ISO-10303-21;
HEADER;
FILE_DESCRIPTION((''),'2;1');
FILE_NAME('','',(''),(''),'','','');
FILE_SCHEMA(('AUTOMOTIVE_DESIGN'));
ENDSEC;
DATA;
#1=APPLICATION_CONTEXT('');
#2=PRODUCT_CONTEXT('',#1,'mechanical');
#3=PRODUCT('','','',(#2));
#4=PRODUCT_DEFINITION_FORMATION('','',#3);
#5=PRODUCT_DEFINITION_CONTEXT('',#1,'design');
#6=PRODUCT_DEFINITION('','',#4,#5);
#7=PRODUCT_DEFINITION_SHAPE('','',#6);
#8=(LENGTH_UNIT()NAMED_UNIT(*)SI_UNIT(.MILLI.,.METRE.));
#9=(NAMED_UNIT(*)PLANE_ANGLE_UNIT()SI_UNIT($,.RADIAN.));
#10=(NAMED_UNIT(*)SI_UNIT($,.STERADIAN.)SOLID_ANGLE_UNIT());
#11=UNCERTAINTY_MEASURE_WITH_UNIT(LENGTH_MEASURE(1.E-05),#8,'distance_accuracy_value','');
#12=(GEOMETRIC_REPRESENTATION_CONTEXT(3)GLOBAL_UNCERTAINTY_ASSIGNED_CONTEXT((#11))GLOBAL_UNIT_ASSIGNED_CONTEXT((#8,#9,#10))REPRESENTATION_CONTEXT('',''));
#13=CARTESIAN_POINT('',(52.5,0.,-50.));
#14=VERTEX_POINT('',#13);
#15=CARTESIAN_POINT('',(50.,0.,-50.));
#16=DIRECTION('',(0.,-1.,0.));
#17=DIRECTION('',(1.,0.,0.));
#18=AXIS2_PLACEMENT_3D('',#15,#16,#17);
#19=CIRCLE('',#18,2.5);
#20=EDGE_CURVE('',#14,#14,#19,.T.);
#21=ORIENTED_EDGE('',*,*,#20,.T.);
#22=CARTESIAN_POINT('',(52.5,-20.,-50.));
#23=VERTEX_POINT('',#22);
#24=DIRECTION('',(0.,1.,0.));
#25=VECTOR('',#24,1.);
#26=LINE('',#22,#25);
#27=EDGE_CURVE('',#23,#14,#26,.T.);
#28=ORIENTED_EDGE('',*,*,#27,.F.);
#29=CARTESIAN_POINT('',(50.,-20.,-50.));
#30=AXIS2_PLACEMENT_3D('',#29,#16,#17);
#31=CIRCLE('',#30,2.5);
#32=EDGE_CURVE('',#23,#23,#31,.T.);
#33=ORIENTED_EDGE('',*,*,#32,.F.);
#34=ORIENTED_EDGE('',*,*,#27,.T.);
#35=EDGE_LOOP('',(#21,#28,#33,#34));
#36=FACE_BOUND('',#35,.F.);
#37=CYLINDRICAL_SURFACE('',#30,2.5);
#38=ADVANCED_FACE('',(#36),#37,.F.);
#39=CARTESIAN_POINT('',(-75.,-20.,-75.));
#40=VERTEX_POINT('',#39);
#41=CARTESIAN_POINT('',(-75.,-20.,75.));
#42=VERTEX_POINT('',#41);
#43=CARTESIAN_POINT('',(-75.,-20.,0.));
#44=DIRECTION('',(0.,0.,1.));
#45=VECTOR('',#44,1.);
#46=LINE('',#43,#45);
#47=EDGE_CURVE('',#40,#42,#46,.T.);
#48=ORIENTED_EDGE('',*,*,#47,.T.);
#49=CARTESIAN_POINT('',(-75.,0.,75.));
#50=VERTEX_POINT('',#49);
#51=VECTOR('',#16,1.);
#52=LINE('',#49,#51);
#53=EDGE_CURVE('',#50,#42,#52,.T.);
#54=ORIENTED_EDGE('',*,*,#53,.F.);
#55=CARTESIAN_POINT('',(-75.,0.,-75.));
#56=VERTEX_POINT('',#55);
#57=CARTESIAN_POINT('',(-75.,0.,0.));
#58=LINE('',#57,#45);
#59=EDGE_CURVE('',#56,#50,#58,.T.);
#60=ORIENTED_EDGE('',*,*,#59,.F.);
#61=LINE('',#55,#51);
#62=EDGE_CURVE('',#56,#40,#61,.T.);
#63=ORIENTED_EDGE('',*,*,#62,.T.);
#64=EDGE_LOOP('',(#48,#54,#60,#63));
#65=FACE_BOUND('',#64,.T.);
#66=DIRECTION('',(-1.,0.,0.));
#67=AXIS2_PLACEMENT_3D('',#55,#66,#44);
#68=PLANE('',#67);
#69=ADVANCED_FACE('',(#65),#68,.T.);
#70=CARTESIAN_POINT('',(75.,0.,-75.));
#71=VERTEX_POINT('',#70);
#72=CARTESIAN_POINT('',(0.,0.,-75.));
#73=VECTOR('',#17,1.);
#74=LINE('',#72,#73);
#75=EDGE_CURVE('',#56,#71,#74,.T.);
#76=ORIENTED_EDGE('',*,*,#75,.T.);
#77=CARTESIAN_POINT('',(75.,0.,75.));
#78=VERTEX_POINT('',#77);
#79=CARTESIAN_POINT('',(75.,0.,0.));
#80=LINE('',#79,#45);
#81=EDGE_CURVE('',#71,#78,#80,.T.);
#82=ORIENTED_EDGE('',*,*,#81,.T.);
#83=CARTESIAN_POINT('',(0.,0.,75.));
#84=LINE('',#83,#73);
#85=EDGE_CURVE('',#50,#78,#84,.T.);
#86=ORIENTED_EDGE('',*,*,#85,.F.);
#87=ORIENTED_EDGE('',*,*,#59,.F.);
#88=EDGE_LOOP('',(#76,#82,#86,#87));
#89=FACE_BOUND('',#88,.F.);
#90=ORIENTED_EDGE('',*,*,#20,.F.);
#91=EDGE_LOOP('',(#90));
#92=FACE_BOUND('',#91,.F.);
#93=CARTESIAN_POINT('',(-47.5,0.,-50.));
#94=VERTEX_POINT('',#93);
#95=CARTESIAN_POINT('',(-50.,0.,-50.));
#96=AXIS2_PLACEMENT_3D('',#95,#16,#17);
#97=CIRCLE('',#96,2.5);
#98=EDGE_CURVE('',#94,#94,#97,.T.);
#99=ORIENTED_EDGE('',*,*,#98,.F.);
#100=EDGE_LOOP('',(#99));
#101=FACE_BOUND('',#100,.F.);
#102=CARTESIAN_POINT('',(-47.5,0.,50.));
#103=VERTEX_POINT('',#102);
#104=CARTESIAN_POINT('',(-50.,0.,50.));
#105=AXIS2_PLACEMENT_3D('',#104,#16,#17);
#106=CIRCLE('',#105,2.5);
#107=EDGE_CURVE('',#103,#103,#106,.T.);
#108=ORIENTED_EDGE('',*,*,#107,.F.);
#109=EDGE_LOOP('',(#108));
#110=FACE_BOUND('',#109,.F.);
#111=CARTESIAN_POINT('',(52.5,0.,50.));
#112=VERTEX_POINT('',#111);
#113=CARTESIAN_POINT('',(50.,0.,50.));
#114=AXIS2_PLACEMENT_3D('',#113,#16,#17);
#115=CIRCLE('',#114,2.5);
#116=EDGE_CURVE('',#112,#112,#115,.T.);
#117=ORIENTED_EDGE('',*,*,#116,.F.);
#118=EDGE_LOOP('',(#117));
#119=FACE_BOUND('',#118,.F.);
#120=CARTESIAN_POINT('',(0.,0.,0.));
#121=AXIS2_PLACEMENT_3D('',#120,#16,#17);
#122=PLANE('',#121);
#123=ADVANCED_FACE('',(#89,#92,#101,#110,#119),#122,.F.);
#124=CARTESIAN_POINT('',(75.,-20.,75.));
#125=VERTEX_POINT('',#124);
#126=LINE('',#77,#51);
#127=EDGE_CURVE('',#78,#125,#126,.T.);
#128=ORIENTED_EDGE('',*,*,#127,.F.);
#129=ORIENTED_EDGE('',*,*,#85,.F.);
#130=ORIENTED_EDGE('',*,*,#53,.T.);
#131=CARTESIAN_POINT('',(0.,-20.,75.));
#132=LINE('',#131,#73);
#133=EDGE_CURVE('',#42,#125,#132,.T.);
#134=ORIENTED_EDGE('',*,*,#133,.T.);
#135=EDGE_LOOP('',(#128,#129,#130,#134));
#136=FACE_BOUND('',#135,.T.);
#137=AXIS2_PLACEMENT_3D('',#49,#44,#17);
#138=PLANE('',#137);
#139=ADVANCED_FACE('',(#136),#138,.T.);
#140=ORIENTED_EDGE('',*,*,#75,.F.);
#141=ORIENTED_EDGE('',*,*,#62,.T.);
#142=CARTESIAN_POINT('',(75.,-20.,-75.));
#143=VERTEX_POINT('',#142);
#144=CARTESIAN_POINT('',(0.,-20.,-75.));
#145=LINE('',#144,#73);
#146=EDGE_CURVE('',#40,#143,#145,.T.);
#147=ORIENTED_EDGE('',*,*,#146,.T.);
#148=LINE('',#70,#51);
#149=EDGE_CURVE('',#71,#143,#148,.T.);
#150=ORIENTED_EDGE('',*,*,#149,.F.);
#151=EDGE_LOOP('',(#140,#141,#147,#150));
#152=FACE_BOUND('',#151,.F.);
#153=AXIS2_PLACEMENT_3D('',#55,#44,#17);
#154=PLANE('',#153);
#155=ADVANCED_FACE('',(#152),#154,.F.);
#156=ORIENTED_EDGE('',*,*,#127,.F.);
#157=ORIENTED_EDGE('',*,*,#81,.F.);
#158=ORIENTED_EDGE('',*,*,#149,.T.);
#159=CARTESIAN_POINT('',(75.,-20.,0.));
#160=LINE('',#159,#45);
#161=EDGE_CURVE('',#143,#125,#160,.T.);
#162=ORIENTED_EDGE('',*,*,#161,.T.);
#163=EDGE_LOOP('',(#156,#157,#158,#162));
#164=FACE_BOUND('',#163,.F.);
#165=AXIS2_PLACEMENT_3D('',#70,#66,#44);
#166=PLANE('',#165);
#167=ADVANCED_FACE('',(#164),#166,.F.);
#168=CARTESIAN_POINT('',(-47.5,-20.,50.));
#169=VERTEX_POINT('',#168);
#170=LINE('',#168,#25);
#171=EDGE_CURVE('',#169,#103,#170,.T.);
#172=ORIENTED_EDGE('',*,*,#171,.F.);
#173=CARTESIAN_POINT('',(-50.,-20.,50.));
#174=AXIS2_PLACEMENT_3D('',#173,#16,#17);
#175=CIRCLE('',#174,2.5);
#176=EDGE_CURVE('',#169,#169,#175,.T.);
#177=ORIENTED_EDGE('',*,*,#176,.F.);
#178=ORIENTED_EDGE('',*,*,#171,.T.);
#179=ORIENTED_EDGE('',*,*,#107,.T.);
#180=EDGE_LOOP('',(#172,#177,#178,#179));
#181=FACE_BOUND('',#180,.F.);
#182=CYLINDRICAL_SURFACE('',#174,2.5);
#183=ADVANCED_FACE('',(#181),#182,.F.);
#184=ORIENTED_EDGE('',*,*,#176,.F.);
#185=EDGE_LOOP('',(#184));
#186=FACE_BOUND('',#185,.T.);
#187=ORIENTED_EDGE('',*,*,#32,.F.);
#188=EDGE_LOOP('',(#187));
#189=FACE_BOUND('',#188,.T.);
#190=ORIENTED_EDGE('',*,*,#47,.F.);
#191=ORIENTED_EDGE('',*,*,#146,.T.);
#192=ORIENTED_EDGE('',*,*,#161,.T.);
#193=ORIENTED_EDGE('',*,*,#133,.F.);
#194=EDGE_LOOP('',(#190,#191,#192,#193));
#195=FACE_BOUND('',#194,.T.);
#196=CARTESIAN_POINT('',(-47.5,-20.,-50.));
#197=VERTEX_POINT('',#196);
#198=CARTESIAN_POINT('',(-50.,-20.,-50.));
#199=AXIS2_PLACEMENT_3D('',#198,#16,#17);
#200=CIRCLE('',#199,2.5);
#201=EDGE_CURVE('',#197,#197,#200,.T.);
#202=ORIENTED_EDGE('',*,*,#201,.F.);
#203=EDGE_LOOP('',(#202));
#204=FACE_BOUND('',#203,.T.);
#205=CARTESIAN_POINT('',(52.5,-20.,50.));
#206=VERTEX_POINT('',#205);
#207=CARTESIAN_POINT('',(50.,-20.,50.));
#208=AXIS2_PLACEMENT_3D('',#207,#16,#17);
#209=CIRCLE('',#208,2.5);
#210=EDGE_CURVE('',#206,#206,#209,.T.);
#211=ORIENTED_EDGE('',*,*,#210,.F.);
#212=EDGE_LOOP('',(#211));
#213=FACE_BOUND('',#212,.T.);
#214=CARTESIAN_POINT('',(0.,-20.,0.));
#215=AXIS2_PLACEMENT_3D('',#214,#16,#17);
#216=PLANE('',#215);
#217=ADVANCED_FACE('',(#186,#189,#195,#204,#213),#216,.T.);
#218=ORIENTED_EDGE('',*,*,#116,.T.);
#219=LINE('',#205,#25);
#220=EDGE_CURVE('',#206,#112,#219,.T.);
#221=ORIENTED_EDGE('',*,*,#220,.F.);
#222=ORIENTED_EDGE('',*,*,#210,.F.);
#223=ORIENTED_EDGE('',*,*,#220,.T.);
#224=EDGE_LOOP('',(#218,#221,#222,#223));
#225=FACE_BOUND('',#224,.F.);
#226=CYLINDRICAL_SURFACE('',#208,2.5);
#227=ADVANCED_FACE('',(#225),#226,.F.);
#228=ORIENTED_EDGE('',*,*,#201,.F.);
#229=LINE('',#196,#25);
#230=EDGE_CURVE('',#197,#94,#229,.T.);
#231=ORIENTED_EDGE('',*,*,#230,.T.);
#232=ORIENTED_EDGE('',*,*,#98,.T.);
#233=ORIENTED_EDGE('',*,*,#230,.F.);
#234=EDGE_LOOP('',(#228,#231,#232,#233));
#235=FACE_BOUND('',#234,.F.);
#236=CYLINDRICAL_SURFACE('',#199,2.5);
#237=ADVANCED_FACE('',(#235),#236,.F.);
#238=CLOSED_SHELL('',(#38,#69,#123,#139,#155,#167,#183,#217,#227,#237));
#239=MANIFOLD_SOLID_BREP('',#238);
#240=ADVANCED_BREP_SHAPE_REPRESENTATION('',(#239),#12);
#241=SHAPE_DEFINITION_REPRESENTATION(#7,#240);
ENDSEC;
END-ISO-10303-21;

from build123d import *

# Parameters (mm, degrees)
F0_W     = 150
F0_H     = 150
F1_DEPTH = 20
F2_R     = 2.5
F3_DEPTH = 20.001


with BuildPart() as f1:
    # F0 (on Front) → F1 (new body)
    with BuildSketch(Plane.XZ):
        Rectangle(F0_W, F0_H)
    extrude(amount=F1_DEPTH)

    # F2 (on face) → F3 (cut, through all)
    with BuildSketch(Plane.XZ.offset(20)):
        with Locations((50, 50)):
            Circle(F2_R)
        with Locations((50, -50)):
            Circle(F2_R)
        with Locations((-50, -50)):
            Circle(F2_R)
        with Locations((-50, 50)):
            Circle(F2_R)
    extrude(amount=-F3_DEPTH, mode=Mode.SUBTRACT)


solid = f1.part
